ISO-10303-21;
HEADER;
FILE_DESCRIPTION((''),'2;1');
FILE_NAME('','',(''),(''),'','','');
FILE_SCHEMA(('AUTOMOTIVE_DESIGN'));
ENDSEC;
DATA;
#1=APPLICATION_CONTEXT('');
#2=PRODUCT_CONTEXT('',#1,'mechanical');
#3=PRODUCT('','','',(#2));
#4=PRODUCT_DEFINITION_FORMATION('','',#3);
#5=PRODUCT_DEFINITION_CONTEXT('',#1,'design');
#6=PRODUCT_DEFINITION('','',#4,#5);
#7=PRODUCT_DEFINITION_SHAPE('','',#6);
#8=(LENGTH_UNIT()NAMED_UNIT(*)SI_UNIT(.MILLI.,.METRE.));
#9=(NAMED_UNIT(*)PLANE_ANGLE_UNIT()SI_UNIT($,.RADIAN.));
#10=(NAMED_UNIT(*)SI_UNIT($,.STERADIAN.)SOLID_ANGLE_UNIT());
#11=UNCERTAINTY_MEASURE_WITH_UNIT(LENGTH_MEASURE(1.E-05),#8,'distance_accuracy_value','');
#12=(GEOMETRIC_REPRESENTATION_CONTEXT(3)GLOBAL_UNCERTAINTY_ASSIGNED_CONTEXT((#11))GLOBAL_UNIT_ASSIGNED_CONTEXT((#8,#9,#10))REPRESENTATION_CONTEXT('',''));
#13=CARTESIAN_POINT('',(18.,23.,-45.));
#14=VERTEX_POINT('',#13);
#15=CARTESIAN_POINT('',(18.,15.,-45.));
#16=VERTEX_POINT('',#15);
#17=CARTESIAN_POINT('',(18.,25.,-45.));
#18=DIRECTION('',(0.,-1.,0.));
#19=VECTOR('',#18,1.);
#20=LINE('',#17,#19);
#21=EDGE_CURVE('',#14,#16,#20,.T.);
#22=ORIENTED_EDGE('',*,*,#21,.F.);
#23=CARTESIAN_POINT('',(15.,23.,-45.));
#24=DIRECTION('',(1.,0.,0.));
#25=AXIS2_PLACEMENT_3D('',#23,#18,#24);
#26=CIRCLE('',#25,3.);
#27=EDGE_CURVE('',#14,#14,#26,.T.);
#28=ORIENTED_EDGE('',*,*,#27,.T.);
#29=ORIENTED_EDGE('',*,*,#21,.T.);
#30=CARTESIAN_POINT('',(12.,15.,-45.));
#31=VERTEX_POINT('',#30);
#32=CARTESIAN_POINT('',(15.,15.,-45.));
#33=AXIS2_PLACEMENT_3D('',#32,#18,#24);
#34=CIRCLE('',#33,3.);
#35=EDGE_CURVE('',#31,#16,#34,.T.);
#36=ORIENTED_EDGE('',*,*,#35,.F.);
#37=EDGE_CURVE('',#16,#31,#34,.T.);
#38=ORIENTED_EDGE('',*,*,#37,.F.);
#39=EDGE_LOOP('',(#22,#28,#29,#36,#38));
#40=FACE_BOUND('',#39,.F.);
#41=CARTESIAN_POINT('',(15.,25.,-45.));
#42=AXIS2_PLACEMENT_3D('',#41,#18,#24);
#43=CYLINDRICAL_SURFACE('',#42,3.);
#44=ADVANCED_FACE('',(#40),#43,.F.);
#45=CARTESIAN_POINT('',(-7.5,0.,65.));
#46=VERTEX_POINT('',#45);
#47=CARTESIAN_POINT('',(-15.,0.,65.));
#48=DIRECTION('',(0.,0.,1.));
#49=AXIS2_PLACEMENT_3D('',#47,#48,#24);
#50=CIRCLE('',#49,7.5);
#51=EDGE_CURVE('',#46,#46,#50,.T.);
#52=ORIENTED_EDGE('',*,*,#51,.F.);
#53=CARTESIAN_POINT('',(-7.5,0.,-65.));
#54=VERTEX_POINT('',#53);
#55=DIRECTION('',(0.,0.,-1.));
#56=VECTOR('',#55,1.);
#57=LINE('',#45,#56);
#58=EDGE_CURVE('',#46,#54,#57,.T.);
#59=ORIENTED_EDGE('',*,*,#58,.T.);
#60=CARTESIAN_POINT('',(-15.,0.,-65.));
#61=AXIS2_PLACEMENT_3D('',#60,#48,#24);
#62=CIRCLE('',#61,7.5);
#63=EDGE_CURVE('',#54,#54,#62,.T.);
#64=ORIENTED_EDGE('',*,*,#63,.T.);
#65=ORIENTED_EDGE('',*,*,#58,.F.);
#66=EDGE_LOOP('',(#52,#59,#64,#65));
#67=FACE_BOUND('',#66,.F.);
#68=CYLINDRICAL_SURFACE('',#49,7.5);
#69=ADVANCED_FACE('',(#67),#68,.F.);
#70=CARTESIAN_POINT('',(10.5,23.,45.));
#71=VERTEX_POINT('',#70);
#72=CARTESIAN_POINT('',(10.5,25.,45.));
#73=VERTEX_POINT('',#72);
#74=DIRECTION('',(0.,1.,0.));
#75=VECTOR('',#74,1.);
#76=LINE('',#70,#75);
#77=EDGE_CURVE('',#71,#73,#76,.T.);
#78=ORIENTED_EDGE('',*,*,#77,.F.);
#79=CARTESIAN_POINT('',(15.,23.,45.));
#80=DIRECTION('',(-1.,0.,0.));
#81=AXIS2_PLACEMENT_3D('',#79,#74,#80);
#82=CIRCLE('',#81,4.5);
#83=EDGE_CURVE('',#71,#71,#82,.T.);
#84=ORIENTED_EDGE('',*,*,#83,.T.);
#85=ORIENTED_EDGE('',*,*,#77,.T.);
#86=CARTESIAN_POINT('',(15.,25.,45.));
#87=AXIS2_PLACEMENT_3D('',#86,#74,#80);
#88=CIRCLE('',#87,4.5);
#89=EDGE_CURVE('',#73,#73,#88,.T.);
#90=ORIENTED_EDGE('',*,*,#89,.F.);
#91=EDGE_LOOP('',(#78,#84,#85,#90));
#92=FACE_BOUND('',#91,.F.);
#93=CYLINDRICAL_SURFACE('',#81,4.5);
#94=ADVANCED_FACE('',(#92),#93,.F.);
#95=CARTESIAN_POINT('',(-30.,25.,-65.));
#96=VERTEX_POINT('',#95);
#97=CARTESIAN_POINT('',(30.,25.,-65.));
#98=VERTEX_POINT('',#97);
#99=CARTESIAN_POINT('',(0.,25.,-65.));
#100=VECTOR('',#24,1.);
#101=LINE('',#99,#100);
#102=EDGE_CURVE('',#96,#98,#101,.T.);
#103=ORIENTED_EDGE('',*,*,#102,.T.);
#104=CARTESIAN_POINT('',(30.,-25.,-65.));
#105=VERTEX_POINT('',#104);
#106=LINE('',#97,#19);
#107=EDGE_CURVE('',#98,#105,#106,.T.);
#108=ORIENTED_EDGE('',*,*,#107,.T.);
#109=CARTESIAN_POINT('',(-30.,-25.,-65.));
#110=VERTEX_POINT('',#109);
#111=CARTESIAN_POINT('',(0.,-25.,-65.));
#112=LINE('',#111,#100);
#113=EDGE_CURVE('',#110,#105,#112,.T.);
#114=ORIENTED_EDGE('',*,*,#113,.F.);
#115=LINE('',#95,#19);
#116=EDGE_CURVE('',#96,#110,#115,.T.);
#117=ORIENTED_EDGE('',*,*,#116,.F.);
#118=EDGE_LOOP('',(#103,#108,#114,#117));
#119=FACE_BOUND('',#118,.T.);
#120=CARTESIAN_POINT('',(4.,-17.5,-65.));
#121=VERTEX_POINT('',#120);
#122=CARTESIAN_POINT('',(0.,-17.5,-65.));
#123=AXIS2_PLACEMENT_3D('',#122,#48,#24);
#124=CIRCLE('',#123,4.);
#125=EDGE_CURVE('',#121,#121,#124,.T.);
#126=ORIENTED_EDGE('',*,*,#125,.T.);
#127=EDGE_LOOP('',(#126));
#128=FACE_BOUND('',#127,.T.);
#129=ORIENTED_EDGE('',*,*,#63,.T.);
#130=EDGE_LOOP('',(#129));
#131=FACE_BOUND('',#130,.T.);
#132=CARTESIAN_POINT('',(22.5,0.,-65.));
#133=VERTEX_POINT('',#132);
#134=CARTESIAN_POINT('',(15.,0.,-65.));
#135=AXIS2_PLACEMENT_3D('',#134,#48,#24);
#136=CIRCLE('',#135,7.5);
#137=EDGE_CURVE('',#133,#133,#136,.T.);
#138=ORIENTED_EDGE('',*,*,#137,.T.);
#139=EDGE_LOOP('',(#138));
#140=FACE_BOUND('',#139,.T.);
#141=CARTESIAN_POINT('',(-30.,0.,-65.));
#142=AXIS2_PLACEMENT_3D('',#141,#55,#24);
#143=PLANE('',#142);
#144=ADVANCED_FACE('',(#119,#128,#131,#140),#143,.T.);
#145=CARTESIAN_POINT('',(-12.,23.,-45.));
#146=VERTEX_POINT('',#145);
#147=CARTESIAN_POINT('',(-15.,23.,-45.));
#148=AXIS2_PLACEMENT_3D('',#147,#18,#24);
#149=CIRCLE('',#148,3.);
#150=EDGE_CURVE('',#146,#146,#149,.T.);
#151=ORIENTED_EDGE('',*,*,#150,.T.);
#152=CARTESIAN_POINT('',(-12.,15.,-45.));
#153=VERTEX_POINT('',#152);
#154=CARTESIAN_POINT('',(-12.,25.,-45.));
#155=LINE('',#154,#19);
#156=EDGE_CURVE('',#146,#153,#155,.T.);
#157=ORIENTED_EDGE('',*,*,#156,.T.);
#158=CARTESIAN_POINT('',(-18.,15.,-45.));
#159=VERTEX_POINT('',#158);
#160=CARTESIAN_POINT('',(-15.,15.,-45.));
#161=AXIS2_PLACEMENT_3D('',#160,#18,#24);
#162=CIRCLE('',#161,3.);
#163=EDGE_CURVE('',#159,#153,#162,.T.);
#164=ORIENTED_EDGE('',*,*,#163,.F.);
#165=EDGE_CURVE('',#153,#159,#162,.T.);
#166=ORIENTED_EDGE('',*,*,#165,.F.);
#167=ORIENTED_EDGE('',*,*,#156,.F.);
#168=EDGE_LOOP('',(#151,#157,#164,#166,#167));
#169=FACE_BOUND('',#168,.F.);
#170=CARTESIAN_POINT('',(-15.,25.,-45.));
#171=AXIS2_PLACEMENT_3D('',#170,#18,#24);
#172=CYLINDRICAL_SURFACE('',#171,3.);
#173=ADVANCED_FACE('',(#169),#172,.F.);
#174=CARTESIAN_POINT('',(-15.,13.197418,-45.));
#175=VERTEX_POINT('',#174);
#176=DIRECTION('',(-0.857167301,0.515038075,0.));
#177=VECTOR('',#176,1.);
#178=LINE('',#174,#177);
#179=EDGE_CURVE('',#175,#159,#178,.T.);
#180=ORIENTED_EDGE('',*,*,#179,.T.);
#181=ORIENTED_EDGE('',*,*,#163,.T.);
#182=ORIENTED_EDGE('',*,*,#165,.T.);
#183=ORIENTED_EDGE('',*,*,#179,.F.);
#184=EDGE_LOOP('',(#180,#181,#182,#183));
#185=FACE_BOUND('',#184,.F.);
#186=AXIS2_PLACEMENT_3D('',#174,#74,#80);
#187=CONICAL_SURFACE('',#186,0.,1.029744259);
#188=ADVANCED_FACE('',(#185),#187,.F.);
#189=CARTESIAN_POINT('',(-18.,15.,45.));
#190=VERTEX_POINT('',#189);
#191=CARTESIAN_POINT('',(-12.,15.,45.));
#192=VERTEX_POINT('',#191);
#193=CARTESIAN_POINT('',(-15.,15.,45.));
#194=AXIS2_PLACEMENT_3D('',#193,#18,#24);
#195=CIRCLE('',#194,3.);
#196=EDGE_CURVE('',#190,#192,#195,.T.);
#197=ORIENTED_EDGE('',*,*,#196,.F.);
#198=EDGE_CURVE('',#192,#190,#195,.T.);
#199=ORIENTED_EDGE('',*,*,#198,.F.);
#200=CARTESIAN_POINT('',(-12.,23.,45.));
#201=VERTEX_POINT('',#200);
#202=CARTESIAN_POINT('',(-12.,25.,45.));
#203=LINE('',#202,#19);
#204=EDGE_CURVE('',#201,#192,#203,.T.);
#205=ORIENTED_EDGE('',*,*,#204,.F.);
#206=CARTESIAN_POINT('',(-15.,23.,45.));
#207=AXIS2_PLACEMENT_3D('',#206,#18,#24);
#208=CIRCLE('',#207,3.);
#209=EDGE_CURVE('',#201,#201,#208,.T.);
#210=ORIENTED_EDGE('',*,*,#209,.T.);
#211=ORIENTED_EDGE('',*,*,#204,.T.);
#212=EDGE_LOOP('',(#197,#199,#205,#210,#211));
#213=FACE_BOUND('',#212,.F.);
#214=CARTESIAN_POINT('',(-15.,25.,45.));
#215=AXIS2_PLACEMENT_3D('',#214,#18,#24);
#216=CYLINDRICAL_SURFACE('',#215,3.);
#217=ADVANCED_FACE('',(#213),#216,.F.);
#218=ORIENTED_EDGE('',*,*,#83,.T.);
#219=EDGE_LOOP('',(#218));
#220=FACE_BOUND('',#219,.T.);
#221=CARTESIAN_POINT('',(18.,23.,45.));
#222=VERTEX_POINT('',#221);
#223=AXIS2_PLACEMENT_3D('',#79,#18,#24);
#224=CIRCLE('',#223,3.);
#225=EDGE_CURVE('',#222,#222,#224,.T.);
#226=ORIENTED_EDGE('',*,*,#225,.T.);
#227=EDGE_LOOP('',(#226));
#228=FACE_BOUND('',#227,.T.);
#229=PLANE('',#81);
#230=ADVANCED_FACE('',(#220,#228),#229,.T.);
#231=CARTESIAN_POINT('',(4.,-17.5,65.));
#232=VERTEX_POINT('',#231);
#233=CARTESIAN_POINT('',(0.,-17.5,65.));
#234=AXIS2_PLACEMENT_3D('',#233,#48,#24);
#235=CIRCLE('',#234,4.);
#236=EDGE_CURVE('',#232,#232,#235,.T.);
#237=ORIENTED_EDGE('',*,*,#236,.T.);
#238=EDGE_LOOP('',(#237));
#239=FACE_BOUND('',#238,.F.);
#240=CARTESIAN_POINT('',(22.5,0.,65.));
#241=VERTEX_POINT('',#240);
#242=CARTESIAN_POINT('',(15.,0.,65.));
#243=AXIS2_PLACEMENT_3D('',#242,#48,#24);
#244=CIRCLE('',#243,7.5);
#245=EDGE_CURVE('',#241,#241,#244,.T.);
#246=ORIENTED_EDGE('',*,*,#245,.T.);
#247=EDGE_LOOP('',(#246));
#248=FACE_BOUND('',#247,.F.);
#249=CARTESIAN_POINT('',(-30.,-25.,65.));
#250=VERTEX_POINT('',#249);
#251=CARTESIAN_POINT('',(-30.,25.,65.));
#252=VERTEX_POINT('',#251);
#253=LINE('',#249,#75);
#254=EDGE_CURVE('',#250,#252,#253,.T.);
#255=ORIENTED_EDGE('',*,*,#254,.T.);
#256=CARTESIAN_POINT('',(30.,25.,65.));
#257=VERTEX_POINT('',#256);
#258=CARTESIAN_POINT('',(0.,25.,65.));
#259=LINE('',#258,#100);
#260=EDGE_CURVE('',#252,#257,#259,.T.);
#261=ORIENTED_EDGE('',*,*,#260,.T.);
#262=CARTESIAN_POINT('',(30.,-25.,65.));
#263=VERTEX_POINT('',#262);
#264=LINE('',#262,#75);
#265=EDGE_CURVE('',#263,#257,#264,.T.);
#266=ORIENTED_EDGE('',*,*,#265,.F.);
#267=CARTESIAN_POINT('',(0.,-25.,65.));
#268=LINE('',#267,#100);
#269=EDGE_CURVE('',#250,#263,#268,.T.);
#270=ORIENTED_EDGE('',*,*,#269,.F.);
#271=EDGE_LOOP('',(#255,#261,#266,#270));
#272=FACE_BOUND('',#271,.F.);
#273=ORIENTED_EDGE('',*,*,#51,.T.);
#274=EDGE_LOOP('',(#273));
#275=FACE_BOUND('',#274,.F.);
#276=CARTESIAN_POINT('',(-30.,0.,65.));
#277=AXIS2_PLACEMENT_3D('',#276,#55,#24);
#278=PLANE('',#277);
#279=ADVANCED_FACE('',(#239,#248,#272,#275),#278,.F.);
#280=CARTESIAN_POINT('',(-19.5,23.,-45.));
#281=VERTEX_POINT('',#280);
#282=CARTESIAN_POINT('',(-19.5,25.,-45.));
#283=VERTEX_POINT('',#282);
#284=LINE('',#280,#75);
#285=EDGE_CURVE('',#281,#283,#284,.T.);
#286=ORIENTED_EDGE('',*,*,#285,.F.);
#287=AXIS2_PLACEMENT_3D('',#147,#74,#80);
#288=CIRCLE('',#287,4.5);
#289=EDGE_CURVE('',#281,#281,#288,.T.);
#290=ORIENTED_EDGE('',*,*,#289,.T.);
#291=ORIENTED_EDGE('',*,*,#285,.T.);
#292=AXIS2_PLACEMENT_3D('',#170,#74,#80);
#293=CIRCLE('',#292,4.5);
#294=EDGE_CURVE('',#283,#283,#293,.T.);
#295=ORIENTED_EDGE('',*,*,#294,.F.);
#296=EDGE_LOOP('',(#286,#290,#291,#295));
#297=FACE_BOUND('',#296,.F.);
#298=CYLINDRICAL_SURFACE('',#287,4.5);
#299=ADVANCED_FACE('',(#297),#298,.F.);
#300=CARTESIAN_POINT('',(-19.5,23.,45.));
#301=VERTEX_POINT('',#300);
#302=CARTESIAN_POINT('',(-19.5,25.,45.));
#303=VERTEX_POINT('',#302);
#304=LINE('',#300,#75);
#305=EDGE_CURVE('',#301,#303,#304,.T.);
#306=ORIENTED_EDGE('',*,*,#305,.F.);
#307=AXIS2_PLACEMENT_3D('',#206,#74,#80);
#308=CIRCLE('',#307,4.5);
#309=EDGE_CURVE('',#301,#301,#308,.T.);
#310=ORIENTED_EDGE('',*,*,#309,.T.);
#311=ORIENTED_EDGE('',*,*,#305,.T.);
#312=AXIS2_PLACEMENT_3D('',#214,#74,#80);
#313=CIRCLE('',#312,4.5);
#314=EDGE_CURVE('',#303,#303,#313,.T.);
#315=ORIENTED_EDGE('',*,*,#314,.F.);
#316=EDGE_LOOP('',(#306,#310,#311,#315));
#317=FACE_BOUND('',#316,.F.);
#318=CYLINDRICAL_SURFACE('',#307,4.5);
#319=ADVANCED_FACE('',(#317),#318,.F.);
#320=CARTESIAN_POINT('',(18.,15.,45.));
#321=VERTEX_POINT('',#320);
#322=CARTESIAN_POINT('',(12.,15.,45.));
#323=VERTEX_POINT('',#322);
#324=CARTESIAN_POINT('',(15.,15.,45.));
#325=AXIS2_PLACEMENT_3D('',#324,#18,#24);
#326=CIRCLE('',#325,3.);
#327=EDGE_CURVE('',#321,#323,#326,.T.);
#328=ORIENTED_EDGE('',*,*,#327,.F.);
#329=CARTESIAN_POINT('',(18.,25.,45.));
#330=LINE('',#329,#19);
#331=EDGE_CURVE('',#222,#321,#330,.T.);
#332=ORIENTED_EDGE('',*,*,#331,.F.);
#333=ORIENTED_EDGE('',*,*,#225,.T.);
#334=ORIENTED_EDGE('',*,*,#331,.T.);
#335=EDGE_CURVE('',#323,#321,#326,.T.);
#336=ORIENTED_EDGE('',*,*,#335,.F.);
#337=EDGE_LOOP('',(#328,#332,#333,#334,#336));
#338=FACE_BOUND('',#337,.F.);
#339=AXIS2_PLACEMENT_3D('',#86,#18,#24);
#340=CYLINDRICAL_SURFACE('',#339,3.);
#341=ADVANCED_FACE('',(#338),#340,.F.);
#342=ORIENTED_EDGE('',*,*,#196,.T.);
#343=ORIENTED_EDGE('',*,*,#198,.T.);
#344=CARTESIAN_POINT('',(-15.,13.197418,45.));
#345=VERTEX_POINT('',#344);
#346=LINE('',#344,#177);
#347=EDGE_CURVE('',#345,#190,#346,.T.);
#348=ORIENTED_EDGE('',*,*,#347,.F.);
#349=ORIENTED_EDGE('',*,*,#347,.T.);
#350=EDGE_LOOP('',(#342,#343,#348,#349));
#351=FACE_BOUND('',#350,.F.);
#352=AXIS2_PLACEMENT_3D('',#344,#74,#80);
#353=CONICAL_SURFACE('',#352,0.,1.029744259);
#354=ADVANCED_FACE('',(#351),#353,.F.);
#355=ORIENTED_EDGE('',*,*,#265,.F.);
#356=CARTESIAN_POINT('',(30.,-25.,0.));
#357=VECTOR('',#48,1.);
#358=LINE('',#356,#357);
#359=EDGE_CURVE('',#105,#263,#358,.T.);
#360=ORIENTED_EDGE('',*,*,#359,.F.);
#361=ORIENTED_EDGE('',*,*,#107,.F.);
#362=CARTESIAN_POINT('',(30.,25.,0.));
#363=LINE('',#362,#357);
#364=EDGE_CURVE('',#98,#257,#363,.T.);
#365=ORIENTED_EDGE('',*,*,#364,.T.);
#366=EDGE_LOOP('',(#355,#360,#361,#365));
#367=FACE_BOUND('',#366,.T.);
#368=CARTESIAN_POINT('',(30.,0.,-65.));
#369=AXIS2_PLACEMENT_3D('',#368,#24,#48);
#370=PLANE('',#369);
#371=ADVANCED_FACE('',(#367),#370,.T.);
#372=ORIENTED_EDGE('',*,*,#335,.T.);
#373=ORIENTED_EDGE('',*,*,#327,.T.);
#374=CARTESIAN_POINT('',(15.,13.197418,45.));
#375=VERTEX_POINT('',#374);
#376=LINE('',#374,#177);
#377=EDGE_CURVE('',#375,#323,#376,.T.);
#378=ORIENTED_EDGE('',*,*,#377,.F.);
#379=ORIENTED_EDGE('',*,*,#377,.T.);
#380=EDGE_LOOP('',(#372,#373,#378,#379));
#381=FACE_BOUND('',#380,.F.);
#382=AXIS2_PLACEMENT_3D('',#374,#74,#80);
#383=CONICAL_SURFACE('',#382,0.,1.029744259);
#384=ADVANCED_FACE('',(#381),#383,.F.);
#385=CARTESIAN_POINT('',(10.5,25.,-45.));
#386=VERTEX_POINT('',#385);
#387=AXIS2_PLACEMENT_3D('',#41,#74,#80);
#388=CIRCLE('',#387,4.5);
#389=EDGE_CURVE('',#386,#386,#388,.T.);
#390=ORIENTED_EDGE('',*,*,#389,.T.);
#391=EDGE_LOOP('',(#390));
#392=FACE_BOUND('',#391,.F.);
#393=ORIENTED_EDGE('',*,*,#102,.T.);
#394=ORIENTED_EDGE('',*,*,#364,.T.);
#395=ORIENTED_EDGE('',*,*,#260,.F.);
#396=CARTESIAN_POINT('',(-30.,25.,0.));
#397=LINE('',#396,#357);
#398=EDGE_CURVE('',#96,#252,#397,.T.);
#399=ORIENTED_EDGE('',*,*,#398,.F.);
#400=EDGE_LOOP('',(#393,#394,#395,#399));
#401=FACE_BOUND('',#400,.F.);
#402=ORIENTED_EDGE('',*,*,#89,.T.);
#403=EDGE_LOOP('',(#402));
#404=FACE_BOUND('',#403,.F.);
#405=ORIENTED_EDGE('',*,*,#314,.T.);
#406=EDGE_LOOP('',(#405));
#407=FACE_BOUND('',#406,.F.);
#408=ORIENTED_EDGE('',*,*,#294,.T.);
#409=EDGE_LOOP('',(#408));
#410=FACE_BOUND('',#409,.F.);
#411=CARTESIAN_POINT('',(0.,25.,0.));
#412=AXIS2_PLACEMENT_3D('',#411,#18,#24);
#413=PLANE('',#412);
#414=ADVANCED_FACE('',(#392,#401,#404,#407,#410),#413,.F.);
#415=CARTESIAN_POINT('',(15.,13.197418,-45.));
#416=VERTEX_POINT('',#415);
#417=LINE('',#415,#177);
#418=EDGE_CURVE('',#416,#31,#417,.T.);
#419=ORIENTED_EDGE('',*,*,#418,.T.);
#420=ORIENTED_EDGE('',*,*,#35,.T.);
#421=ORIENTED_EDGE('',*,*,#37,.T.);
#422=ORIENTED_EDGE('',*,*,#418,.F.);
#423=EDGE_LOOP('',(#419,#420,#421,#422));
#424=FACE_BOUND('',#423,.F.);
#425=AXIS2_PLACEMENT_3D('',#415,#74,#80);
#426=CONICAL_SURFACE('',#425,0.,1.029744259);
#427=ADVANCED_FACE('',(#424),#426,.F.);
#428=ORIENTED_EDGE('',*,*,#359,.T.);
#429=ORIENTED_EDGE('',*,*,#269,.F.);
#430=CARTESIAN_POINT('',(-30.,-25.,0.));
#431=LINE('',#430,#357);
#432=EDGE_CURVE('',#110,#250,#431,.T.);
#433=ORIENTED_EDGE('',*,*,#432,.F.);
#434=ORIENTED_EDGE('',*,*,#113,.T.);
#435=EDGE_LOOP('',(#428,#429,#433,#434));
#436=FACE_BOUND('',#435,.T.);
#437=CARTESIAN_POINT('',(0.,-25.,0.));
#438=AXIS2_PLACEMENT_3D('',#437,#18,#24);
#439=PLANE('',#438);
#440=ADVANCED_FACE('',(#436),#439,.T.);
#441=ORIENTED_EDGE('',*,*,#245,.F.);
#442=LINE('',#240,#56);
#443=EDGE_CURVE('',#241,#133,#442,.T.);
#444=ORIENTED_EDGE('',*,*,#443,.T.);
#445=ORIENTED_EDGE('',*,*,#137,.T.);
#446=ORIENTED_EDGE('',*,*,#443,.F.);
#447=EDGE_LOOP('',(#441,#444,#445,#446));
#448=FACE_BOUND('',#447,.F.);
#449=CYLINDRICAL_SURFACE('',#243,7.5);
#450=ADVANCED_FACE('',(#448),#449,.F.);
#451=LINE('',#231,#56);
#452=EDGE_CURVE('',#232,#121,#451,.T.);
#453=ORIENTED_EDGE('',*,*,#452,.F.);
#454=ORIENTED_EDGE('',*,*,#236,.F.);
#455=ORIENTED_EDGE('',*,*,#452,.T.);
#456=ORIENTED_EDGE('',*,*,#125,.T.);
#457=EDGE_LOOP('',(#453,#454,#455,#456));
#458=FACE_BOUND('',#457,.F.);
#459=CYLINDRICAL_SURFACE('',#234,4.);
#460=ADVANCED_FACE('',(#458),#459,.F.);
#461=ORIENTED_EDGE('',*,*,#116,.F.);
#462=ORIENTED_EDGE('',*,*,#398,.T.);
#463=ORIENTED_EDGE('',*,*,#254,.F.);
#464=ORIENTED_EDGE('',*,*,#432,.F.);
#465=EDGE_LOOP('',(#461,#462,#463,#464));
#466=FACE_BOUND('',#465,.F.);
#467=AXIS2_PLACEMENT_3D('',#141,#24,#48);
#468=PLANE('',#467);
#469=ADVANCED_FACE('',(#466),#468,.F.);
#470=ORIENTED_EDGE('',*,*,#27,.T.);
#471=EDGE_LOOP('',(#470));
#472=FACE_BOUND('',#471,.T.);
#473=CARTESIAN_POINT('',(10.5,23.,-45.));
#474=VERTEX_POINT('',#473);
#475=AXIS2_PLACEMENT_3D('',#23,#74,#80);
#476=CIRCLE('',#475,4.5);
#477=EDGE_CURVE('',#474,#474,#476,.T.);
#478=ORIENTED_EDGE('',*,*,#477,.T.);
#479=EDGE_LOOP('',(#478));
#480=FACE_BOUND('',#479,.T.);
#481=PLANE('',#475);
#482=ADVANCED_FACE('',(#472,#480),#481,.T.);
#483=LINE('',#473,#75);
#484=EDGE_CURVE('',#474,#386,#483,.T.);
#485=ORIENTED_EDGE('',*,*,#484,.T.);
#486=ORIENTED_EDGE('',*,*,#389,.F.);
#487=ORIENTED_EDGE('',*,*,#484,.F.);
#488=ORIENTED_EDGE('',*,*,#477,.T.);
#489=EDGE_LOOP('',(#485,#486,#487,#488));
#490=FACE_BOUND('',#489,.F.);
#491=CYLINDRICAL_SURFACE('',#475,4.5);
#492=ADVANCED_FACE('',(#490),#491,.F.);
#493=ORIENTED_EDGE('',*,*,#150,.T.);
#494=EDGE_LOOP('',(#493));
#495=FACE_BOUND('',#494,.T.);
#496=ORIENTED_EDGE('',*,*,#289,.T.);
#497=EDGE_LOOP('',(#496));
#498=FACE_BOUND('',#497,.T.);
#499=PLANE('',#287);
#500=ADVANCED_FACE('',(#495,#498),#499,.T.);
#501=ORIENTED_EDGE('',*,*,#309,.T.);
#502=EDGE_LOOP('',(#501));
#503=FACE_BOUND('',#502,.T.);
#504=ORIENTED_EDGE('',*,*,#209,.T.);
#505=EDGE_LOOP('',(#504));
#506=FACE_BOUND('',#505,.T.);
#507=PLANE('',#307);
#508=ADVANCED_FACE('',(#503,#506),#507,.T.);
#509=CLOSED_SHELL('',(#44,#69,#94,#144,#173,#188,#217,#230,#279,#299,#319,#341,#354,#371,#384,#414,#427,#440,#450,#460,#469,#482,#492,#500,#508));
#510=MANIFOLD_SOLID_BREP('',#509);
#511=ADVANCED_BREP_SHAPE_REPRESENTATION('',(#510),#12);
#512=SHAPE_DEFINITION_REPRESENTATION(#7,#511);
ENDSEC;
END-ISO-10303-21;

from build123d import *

# Parameters (mm, degrees)
F0_W           = 60
F0_H           = 130
F1_DEPTH       = 25
F2_R           = 7.5
F2_R_2         = 4
F3_DEPTH       = 130.001
F5_D           = 6
F5_DEPTH       = 10
F5_CBORE_D     = 9
F5_CBORE_DEPTH = 2
F5_TIP         = 1.8025818571


with BuildPart() as f1:
    # F0 (on Front) → F1 (new body, symmetric)
    with BuildSketch(Plane.XZ):
        Rectangle(F0_W, F0_H)
    extrude(amount=F1_DEPTH, both=True)

    # F2 (on face) → F3 (cut, through all)
    with BuildSketch(Plane.XY.offset(65)):
        with Locations((-15, 0)):
            Circle(F2_R)
        with Locations((15, 0)):
            Circle(F2_R)
        with Locations((0, -17.5)):
            Circle(F2_R_2)
    extrude(amount=-F3_DEPTH, mode=Mode.SUBTRACT)

    # F5
    with Locations(Plane(origin=(0, 25, 0), x_dir=(-1, 0, 0), z_dir=(0, 1, 0))):
        with Locations((-15, 45), (15, 45), (15, -45), (-15, -45)):
            CounterBoreHole(F5_D / 2, F5_CBORE_D / 2, F5_CBORE_DEPTH, depth=F5_DEPTH)
            with Locations((0, 0, -(F5_DEPTH + F5_TIP / 2))):  # 118° drill point
                Cone(0, F5_D / 2, F5_TIP, mode=Mode.SUBTRACT)


solid = f1.part
